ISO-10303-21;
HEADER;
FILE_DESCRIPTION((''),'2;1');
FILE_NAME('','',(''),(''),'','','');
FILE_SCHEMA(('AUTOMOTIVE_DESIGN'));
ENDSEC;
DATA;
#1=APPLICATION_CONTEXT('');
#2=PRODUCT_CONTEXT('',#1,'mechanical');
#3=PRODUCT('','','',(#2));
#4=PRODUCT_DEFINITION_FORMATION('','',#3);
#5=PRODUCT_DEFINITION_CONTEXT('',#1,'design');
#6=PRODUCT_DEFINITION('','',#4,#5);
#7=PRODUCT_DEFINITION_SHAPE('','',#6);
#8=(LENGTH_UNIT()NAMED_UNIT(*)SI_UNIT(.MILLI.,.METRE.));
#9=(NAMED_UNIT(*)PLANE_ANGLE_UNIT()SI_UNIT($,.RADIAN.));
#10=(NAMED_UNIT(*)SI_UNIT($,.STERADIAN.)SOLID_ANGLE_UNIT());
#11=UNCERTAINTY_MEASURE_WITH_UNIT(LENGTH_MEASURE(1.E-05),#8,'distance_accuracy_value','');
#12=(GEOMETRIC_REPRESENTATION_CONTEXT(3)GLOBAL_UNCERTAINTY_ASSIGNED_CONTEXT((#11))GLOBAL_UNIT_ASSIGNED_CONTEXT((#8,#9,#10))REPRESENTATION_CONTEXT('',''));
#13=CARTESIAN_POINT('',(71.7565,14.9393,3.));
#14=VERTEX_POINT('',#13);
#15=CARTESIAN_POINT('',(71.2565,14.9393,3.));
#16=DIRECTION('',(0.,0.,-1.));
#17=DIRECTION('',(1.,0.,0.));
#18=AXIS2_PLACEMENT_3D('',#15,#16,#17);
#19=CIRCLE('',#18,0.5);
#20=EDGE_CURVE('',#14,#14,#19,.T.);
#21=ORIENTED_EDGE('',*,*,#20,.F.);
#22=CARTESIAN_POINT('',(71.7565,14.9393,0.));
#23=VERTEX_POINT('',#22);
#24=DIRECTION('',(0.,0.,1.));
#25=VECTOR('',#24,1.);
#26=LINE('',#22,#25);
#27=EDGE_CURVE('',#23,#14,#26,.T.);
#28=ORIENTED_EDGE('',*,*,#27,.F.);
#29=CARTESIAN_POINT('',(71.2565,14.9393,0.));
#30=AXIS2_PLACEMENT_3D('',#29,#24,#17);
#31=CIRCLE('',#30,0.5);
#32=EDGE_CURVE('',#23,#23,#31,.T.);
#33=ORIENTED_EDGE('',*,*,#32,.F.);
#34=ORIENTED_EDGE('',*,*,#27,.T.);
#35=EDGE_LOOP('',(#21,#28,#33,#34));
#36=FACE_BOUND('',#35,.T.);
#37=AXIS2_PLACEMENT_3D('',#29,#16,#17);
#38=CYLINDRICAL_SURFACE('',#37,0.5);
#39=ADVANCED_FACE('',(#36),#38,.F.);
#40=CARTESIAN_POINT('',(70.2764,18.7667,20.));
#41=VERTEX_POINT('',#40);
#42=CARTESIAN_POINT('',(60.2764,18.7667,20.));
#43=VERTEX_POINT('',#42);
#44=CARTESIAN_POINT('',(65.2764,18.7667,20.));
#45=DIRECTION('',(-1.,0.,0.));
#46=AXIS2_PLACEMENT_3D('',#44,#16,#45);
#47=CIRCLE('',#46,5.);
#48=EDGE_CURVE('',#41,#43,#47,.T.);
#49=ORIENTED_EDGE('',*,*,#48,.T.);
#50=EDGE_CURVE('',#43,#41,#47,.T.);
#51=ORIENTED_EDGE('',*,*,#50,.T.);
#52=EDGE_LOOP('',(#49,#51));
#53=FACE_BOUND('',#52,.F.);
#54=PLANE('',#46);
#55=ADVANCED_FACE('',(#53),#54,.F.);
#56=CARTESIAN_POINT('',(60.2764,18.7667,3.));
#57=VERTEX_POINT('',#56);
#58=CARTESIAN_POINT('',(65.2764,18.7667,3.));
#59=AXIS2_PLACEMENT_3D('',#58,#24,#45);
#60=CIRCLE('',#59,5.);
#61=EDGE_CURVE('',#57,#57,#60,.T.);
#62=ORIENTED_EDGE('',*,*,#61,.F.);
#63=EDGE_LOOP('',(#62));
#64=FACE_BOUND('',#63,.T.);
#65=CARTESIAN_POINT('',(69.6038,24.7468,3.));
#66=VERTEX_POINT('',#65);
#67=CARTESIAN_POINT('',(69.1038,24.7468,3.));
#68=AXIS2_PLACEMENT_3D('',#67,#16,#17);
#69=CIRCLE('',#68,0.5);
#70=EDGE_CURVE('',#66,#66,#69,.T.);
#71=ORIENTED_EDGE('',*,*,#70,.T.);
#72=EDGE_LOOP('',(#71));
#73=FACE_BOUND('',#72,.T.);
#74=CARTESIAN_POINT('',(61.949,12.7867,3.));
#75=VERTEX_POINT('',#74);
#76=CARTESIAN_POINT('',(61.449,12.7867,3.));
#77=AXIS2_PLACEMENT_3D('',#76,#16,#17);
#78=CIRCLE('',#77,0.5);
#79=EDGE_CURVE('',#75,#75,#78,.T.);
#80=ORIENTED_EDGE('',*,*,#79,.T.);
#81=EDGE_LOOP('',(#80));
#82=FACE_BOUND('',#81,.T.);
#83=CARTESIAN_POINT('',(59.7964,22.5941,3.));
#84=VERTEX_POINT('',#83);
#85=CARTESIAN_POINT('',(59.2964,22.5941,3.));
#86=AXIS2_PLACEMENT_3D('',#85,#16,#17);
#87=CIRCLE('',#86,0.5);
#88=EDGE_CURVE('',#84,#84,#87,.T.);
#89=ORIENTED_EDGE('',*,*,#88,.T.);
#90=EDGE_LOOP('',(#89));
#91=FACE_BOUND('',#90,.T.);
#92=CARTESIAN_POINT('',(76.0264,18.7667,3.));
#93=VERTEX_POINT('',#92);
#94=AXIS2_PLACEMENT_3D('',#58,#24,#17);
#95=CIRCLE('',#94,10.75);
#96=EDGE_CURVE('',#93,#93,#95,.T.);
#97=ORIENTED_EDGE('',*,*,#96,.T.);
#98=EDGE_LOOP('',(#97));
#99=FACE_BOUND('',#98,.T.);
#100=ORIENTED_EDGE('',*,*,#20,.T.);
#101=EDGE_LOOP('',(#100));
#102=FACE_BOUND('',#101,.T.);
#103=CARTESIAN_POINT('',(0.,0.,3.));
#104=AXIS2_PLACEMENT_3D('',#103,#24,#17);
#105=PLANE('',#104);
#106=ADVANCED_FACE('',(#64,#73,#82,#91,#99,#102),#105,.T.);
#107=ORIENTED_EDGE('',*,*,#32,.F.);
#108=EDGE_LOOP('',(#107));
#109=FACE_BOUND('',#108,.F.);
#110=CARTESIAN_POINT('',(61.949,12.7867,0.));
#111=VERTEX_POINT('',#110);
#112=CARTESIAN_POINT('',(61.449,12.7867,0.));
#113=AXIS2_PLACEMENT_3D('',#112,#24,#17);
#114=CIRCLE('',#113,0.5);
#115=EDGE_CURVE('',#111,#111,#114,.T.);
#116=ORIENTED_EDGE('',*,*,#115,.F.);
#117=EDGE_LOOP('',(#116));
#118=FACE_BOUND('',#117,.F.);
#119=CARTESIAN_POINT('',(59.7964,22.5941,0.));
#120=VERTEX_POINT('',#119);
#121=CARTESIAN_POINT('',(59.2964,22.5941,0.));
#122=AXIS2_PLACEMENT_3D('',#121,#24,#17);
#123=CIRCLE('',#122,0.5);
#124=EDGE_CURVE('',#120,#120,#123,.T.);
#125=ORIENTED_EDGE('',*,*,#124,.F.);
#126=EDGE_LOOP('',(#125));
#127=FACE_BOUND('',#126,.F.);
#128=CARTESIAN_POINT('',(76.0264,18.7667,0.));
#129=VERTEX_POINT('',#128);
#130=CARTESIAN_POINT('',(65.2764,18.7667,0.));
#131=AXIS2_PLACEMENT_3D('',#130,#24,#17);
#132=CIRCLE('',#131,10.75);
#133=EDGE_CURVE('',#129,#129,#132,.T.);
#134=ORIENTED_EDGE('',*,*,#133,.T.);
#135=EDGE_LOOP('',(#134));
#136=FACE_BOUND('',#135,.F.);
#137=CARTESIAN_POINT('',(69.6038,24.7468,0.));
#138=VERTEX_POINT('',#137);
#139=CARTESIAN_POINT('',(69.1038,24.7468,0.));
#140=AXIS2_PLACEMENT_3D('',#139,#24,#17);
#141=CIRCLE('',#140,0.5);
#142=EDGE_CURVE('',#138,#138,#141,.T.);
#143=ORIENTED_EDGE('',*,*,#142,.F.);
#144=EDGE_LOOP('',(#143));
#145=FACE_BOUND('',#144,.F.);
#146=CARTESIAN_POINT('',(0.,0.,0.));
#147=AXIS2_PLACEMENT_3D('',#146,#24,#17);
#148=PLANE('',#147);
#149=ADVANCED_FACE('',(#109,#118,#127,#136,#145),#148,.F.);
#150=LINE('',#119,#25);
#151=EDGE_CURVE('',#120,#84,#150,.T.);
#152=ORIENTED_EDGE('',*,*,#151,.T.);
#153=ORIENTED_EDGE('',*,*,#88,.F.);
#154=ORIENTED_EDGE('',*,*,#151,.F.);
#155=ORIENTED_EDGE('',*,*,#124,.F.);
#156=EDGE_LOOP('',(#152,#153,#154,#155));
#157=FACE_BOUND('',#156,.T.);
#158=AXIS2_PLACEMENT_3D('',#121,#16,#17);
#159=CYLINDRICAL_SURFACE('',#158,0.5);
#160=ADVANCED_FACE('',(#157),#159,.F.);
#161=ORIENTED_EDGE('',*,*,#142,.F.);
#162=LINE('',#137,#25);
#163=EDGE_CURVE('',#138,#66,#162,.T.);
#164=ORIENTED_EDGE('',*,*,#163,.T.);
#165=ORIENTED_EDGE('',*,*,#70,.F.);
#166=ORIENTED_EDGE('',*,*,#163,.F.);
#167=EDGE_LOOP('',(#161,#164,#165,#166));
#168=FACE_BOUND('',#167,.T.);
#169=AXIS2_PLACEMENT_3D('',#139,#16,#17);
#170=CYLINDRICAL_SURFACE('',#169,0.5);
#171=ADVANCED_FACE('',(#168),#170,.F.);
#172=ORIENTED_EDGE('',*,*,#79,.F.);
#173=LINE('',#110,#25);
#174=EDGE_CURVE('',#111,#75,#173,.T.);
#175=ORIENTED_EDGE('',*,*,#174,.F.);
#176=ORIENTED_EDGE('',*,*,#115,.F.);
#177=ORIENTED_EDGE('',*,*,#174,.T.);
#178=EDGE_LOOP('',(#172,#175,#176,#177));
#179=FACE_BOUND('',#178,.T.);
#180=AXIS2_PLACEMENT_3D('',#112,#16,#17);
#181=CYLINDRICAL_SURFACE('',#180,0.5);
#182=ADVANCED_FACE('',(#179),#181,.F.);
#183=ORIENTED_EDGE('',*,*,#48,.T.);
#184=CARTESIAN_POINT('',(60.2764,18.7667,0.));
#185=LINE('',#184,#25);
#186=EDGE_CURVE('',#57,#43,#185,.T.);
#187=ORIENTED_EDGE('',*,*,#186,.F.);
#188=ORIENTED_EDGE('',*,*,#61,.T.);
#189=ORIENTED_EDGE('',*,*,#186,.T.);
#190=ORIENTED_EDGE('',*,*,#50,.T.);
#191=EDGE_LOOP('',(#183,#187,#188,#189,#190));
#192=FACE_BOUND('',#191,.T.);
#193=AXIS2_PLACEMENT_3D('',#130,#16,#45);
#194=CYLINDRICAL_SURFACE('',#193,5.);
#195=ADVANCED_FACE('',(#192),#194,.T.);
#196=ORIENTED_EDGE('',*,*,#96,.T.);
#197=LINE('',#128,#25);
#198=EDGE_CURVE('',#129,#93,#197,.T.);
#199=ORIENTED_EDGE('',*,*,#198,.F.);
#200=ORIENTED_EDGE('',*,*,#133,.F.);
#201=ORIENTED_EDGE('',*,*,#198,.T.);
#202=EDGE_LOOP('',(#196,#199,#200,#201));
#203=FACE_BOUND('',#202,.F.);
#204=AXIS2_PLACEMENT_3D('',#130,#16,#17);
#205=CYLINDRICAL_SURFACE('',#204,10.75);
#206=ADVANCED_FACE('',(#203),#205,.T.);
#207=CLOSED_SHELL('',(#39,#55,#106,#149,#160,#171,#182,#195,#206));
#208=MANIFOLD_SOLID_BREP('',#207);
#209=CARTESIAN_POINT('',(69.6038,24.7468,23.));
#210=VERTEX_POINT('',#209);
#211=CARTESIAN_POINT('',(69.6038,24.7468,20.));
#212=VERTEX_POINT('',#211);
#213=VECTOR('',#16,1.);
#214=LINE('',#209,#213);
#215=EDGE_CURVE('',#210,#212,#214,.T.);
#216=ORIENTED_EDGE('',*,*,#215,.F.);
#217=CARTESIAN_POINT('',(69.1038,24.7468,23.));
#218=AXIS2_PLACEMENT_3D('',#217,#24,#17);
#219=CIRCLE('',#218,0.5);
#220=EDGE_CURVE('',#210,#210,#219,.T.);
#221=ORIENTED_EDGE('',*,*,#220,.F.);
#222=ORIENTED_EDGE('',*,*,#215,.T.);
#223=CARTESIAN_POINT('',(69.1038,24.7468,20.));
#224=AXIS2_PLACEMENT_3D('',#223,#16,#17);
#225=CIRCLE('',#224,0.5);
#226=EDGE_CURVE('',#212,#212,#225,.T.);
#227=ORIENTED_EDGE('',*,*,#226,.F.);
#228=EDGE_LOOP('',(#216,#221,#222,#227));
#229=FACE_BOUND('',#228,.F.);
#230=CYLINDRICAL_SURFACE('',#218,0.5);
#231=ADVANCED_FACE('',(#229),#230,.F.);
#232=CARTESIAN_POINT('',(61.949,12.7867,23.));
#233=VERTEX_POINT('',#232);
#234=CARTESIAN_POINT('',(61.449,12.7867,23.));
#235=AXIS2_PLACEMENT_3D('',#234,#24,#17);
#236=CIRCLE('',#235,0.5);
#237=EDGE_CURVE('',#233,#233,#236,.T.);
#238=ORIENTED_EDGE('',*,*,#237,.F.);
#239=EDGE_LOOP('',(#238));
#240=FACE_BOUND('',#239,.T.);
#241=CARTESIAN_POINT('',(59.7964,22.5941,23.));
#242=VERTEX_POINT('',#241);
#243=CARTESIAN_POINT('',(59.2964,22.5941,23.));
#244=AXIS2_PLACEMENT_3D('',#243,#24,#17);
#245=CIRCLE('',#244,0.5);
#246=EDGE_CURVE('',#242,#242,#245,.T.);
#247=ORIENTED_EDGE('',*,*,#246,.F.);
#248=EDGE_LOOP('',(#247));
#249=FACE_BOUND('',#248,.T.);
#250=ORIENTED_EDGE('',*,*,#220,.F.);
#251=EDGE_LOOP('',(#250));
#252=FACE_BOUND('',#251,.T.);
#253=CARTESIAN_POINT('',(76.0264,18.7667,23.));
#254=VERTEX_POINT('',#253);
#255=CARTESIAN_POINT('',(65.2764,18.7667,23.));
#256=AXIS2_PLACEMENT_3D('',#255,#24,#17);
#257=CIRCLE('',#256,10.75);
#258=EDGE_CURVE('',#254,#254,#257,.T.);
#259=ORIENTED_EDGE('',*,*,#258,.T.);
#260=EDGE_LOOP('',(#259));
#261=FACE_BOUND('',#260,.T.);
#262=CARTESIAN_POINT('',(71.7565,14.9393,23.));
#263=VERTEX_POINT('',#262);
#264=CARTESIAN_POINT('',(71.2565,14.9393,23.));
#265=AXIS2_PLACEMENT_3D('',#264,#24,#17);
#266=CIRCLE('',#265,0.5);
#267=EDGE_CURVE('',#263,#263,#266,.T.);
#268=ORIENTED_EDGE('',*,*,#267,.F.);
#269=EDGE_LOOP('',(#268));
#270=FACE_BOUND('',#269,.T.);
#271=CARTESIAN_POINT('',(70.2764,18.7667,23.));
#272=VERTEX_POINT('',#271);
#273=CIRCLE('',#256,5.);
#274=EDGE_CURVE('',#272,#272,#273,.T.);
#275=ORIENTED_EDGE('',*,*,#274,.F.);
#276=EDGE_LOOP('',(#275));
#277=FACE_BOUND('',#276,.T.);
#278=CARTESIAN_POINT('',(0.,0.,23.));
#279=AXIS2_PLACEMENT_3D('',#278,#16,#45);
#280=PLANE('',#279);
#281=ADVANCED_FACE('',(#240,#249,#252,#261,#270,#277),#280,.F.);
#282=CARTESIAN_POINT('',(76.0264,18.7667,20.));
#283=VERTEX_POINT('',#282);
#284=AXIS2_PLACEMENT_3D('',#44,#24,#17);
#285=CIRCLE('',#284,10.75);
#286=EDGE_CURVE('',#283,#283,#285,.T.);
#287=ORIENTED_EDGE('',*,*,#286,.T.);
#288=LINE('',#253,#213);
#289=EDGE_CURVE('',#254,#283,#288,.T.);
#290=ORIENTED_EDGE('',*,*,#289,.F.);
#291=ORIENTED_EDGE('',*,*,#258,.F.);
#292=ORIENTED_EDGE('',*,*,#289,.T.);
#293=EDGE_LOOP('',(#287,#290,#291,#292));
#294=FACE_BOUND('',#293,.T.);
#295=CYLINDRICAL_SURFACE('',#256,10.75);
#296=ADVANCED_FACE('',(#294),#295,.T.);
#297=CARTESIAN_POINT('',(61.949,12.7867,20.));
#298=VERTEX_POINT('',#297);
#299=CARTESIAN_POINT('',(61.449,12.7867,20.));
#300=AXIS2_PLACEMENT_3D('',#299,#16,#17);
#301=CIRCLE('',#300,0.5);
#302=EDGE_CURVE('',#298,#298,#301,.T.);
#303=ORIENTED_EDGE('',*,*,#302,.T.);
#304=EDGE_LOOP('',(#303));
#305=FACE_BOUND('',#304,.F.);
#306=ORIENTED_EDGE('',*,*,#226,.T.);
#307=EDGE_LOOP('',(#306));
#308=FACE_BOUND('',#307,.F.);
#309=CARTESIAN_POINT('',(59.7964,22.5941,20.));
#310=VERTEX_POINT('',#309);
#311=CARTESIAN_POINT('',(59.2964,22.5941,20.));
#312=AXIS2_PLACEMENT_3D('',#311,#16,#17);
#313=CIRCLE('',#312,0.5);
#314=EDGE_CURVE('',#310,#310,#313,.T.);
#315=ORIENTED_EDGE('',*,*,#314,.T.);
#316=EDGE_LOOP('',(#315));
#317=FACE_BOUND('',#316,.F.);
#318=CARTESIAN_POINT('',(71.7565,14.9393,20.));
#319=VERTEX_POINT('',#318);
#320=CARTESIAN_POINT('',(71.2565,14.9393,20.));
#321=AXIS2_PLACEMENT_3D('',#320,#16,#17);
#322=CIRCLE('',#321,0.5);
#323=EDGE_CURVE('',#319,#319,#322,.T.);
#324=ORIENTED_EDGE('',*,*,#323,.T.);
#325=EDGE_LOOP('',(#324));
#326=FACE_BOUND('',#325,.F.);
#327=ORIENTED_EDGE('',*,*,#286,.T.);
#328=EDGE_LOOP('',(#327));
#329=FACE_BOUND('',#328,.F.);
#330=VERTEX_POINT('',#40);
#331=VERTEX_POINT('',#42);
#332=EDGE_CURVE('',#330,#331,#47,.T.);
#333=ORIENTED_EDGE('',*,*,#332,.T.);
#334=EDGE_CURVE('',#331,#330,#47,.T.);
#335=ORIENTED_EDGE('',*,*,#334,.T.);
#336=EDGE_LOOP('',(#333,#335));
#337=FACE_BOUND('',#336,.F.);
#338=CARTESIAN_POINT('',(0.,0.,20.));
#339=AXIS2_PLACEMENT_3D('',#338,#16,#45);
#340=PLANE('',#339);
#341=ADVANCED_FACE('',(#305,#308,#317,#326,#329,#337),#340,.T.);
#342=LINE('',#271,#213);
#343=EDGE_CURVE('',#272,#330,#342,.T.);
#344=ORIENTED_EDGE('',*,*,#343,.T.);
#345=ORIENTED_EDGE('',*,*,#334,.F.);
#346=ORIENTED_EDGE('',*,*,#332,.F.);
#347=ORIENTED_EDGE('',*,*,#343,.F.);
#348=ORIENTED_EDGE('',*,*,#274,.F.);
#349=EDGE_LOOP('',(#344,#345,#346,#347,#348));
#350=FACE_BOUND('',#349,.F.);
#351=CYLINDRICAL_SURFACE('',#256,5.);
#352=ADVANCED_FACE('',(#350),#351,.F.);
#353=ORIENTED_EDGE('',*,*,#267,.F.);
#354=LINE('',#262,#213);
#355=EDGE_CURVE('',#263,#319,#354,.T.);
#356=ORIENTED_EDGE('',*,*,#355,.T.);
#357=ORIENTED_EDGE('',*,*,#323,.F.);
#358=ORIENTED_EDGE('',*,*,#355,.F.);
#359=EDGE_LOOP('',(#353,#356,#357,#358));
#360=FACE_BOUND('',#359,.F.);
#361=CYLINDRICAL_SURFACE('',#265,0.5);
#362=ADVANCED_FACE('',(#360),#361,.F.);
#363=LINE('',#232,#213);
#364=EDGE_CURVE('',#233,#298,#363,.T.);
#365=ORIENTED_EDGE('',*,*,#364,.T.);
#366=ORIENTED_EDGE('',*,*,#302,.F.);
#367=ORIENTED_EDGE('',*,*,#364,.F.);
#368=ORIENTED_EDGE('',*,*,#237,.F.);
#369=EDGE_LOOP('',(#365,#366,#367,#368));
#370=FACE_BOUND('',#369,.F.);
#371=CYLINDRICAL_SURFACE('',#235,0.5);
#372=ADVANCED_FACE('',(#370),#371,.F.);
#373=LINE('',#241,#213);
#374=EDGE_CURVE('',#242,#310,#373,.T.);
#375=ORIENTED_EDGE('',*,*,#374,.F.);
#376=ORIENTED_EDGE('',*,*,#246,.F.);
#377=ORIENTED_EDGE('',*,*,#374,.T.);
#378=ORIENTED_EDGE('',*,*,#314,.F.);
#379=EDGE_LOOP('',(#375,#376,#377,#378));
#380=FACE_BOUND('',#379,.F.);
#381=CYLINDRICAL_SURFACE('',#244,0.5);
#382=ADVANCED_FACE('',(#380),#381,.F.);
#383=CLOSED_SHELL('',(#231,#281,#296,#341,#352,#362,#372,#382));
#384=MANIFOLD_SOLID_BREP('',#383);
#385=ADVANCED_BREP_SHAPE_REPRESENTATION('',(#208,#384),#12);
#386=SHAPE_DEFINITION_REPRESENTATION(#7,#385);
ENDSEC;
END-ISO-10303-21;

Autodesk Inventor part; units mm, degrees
ref_plane "YZ Plane" through (0, 0, 0) normal (1, 0, 0) x (0, 1, 0)
ref_plane "XZ Plane" through (0, 0, 0) normal (0, 1, 0) x (-1, 0, 0)
ref_plane "XY Plane" through (0, 0, 0) normal (0, 0, 1) x (1, 0, 0)
sketch "Sketch1" plane through (0, 0, 0) normal (0, 0, 1) x (1, 0, 0)
  circle A0 centre (65.2764, 18.7667) radius 10.75 projected
  circle A1 centre (59.2964, 22.5941) radius 0.5 projected
  circle A2 centre (69.1038, 24.7468) radius 0.5 projected
  circle A3 centre (71.2565, 14.9393) radius 0.5 projected
  circle A4 centre (61.449, 12.7867) radius 0.5 projected
  circle A5 centre (65.2764, 18.7667) radius 7.1
  circle A6 centre (65.2764, 18.7667) radius 5
  point P0 (0, 0)
  dimension "d0" = 14.2
  dimension "d1" = 21.5
  dimension "d2" = 10
extrude "Extrusion1" add sketch "Sketch1" along normal blind 3 contours A0 | A1 A5 A2 A3 A4
sketch "Sketch2" plane through (65.2764, 18.7667, 0) normal (0, 0, -1) x (-1, 0, 0)
  circle A0 centre (0, 0) radius 5 projected
  point P0 (65.2764, -18.7667)
extrude "Extrusion2" add sketch "Sketch2" against normal blind 20
ref_plane "Work Plane1" through (65.2764, 18.7667, 11.5) normal (0, 0, 1) x (1, 0, 0)
mirror "Mirror1" about plane through (65.2764, 18.7667, 11.5) normal (0, 0, 1) of "Extrusion1"
properties part number "Pulley Mechanism"
